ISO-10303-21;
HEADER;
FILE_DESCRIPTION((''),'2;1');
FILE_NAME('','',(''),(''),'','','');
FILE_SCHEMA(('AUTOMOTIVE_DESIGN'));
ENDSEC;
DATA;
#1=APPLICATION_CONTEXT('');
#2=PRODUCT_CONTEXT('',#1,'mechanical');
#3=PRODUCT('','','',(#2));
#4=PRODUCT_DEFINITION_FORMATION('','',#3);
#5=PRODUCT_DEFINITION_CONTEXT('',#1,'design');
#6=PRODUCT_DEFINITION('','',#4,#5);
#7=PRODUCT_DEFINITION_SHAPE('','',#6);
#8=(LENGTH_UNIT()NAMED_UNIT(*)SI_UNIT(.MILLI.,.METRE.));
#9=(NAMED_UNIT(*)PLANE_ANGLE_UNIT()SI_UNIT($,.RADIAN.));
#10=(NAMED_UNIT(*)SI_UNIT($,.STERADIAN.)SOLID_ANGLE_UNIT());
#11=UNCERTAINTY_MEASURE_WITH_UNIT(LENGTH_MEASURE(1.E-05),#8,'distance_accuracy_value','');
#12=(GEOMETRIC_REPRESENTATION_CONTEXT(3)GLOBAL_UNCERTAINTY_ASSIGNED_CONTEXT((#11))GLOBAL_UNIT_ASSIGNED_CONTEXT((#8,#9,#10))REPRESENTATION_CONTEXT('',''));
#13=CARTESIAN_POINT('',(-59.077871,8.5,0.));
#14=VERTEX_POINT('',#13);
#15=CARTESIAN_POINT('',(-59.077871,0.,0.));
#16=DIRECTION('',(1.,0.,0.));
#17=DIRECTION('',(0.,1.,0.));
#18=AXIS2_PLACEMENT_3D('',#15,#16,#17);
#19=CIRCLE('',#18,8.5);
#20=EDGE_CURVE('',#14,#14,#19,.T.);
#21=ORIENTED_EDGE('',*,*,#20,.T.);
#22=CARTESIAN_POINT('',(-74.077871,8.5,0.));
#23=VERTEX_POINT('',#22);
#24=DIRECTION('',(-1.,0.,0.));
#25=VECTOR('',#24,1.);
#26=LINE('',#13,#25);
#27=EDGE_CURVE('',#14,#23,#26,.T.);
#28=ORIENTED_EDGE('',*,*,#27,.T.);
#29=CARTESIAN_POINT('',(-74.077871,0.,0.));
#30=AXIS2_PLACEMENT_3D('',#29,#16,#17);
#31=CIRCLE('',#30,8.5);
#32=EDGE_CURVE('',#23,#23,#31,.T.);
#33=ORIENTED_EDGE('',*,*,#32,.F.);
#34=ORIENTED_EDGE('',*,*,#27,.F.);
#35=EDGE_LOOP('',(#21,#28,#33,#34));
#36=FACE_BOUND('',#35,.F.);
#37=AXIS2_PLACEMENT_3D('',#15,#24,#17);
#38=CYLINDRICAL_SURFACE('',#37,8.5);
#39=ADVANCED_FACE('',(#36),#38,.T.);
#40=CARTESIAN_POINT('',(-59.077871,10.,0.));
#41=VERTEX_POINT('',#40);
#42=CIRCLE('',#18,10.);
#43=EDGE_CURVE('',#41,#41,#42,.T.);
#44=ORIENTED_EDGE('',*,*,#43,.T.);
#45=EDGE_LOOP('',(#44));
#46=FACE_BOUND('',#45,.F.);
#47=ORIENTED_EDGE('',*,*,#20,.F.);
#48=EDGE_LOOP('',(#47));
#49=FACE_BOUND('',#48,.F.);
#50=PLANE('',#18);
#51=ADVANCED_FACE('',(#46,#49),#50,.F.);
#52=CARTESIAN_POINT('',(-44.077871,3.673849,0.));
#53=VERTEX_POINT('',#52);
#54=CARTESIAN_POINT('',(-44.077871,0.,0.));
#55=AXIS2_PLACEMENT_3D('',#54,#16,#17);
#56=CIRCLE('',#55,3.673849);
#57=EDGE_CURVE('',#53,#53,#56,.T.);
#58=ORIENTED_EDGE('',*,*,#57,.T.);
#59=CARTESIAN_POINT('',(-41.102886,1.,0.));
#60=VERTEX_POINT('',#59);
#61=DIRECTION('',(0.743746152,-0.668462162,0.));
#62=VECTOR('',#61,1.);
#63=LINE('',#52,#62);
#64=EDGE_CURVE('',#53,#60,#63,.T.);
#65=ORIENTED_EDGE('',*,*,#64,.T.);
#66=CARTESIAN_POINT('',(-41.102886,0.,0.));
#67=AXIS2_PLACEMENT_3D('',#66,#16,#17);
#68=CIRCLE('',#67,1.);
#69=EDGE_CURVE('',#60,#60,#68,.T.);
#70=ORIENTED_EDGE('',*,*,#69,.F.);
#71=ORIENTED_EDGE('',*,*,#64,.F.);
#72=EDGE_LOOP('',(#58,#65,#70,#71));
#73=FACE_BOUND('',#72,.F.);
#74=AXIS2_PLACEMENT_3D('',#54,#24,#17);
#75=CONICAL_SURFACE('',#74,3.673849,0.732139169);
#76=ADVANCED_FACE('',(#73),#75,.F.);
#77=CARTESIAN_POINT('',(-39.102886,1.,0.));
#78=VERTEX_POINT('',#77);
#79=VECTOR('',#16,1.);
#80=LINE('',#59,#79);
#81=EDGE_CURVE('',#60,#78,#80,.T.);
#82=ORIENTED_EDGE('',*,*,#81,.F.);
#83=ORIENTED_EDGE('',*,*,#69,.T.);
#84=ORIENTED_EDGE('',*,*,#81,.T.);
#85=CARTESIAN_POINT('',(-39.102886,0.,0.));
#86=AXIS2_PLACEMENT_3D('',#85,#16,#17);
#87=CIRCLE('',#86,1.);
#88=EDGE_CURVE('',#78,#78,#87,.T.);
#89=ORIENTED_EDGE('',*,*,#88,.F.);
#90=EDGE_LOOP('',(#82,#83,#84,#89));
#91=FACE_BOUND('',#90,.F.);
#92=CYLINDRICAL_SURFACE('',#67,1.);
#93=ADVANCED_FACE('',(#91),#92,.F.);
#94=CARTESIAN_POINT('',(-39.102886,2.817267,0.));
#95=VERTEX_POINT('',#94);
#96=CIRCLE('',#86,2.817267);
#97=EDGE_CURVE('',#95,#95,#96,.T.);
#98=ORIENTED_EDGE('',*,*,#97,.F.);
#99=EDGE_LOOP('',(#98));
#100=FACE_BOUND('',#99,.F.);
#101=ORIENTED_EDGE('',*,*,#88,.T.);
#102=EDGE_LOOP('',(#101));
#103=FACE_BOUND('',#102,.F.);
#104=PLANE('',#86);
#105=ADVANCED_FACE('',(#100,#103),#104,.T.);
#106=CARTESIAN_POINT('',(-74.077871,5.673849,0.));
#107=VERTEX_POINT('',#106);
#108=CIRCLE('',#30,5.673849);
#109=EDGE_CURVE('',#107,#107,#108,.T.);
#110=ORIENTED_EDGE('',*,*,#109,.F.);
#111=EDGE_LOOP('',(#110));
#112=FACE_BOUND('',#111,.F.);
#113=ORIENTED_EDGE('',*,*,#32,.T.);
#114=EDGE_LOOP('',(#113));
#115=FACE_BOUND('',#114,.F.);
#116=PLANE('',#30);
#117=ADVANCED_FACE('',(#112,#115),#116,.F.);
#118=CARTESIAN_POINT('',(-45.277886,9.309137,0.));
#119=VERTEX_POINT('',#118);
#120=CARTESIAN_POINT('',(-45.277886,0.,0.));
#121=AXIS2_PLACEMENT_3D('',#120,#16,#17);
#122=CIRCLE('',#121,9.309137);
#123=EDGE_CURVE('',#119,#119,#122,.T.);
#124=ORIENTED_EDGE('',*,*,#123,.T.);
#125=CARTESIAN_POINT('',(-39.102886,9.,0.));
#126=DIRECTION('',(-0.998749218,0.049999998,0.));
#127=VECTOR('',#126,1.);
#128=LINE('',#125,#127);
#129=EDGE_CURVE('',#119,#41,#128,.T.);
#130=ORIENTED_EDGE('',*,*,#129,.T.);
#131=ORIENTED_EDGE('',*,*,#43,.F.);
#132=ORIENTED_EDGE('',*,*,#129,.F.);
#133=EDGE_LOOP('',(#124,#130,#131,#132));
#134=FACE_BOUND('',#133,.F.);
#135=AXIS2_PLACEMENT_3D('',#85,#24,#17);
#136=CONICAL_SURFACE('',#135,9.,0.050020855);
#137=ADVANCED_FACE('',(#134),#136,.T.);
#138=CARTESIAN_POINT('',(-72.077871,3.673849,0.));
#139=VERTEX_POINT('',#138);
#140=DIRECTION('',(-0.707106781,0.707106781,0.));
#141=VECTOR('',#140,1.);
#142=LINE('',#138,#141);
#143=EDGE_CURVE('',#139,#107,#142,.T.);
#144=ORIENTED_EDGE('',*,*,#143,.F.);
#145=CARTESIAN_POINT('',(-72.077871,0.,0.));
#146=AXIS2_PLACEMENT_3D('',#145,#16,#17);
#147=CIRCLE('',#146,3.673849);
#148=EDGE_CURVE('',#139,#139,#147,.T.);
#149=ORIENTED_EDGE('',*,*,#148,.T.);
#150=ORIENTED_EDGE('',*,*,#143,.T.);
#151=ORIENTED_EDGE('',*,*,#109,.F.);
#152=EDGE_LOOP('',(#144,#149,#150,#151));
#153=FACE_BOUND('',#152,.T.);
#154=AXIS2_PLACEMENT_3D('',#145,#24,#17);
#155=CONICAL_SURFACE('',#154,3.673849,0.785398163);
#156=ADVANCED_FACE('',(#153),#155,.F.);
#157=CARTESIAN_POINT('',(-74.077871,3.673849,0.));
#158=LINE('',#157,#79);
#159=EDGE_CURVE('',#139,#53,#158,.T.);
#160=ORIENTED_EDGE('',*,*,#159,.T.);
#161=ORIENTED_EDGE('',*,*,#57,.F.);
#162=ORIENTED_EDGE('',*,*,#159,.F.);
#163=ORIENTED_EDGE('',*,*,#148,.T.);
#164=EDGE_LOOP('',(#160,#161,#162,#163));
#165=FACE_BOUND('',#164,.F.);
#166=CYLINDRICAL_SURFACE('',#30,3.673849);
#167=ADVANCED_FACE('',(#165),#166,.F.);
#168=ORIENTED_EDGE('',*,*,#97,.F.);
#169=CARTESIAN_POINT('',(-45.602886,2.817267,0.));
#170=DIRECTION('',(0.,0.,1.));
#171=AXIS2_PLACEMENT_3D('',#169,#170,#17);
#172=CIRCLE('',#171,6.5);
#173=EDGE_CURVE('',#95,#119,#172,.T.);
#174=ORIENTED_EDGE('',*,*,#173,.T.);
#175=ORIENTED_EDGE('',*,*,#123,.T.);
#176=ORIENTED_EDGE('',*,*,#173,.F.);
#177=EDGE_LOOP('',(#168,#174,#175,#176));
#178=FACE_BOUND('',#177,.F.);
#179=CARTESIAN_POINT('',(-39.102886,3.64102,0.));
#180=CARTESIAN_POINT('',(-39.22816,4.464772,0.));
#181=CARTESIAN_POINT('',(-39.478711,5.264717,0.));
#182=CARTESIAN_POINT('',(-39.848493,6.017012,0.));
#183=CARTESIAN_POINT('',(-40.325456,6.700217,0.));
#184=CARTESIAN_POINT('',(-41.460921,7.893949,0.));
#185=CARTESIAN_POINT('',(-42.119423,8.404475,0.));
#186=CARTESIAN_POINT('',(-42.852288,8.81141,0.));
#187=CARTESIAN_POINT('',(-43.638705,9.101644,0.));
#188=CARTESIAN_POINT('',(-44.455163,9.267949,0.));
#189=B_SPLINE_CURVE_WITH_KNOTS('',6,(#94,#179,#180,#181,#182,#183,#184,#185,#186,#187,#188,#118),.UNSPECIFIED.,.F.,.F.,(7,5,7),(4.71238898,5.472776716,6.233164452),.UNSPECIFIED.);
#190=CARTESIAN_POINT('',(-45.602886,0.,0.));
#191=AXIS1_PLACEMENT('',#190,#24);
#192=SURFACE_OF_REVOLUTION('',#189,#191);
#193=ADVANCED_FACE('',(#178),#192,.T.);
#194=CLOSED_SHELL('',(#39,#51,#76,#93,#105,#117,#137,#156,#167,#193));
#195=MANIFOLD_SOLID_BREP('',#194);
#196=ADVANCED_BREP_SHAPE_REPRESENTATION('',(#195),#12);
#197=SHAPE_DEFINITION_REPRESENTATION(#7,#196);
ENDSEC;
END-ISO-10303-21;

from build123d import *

# Parameters (mm, degrees)
F2_R    = 6.5
F3_SIZE = 2


with BuildPart() as f1:
    # F0 (on Top) → F1 (revolve)
    with BuildSketch(Plane.XY):
        Polygon((-74.077871, 8.5), (-74.077871, 3.673849), (-44.077871, 3.673849), (-41.102886, 1), (-39.102886, 1), (-39.102886, 9), (-59.077871, 10), (-59.077871, 8.5), align=None)
    revolve(axis=Axis((5.52991, 0, 0), (1, 0, 0)))

    # F2
    f2_edges = [f1.edges().sort_by_distance(p)[0] for p in [
        (-39.102886, -9, 0),
    ]]
    fillet(f2_edges, radius=F2_R)

    # F3
    f3_edges = [f1.edges().sort_by_distance(p)[0] for p in [
        (-74.077871, -3.673849, 0),
    ]]
    chamfer(f3_edges, length=F3_SIZE)


solid = f1.part
